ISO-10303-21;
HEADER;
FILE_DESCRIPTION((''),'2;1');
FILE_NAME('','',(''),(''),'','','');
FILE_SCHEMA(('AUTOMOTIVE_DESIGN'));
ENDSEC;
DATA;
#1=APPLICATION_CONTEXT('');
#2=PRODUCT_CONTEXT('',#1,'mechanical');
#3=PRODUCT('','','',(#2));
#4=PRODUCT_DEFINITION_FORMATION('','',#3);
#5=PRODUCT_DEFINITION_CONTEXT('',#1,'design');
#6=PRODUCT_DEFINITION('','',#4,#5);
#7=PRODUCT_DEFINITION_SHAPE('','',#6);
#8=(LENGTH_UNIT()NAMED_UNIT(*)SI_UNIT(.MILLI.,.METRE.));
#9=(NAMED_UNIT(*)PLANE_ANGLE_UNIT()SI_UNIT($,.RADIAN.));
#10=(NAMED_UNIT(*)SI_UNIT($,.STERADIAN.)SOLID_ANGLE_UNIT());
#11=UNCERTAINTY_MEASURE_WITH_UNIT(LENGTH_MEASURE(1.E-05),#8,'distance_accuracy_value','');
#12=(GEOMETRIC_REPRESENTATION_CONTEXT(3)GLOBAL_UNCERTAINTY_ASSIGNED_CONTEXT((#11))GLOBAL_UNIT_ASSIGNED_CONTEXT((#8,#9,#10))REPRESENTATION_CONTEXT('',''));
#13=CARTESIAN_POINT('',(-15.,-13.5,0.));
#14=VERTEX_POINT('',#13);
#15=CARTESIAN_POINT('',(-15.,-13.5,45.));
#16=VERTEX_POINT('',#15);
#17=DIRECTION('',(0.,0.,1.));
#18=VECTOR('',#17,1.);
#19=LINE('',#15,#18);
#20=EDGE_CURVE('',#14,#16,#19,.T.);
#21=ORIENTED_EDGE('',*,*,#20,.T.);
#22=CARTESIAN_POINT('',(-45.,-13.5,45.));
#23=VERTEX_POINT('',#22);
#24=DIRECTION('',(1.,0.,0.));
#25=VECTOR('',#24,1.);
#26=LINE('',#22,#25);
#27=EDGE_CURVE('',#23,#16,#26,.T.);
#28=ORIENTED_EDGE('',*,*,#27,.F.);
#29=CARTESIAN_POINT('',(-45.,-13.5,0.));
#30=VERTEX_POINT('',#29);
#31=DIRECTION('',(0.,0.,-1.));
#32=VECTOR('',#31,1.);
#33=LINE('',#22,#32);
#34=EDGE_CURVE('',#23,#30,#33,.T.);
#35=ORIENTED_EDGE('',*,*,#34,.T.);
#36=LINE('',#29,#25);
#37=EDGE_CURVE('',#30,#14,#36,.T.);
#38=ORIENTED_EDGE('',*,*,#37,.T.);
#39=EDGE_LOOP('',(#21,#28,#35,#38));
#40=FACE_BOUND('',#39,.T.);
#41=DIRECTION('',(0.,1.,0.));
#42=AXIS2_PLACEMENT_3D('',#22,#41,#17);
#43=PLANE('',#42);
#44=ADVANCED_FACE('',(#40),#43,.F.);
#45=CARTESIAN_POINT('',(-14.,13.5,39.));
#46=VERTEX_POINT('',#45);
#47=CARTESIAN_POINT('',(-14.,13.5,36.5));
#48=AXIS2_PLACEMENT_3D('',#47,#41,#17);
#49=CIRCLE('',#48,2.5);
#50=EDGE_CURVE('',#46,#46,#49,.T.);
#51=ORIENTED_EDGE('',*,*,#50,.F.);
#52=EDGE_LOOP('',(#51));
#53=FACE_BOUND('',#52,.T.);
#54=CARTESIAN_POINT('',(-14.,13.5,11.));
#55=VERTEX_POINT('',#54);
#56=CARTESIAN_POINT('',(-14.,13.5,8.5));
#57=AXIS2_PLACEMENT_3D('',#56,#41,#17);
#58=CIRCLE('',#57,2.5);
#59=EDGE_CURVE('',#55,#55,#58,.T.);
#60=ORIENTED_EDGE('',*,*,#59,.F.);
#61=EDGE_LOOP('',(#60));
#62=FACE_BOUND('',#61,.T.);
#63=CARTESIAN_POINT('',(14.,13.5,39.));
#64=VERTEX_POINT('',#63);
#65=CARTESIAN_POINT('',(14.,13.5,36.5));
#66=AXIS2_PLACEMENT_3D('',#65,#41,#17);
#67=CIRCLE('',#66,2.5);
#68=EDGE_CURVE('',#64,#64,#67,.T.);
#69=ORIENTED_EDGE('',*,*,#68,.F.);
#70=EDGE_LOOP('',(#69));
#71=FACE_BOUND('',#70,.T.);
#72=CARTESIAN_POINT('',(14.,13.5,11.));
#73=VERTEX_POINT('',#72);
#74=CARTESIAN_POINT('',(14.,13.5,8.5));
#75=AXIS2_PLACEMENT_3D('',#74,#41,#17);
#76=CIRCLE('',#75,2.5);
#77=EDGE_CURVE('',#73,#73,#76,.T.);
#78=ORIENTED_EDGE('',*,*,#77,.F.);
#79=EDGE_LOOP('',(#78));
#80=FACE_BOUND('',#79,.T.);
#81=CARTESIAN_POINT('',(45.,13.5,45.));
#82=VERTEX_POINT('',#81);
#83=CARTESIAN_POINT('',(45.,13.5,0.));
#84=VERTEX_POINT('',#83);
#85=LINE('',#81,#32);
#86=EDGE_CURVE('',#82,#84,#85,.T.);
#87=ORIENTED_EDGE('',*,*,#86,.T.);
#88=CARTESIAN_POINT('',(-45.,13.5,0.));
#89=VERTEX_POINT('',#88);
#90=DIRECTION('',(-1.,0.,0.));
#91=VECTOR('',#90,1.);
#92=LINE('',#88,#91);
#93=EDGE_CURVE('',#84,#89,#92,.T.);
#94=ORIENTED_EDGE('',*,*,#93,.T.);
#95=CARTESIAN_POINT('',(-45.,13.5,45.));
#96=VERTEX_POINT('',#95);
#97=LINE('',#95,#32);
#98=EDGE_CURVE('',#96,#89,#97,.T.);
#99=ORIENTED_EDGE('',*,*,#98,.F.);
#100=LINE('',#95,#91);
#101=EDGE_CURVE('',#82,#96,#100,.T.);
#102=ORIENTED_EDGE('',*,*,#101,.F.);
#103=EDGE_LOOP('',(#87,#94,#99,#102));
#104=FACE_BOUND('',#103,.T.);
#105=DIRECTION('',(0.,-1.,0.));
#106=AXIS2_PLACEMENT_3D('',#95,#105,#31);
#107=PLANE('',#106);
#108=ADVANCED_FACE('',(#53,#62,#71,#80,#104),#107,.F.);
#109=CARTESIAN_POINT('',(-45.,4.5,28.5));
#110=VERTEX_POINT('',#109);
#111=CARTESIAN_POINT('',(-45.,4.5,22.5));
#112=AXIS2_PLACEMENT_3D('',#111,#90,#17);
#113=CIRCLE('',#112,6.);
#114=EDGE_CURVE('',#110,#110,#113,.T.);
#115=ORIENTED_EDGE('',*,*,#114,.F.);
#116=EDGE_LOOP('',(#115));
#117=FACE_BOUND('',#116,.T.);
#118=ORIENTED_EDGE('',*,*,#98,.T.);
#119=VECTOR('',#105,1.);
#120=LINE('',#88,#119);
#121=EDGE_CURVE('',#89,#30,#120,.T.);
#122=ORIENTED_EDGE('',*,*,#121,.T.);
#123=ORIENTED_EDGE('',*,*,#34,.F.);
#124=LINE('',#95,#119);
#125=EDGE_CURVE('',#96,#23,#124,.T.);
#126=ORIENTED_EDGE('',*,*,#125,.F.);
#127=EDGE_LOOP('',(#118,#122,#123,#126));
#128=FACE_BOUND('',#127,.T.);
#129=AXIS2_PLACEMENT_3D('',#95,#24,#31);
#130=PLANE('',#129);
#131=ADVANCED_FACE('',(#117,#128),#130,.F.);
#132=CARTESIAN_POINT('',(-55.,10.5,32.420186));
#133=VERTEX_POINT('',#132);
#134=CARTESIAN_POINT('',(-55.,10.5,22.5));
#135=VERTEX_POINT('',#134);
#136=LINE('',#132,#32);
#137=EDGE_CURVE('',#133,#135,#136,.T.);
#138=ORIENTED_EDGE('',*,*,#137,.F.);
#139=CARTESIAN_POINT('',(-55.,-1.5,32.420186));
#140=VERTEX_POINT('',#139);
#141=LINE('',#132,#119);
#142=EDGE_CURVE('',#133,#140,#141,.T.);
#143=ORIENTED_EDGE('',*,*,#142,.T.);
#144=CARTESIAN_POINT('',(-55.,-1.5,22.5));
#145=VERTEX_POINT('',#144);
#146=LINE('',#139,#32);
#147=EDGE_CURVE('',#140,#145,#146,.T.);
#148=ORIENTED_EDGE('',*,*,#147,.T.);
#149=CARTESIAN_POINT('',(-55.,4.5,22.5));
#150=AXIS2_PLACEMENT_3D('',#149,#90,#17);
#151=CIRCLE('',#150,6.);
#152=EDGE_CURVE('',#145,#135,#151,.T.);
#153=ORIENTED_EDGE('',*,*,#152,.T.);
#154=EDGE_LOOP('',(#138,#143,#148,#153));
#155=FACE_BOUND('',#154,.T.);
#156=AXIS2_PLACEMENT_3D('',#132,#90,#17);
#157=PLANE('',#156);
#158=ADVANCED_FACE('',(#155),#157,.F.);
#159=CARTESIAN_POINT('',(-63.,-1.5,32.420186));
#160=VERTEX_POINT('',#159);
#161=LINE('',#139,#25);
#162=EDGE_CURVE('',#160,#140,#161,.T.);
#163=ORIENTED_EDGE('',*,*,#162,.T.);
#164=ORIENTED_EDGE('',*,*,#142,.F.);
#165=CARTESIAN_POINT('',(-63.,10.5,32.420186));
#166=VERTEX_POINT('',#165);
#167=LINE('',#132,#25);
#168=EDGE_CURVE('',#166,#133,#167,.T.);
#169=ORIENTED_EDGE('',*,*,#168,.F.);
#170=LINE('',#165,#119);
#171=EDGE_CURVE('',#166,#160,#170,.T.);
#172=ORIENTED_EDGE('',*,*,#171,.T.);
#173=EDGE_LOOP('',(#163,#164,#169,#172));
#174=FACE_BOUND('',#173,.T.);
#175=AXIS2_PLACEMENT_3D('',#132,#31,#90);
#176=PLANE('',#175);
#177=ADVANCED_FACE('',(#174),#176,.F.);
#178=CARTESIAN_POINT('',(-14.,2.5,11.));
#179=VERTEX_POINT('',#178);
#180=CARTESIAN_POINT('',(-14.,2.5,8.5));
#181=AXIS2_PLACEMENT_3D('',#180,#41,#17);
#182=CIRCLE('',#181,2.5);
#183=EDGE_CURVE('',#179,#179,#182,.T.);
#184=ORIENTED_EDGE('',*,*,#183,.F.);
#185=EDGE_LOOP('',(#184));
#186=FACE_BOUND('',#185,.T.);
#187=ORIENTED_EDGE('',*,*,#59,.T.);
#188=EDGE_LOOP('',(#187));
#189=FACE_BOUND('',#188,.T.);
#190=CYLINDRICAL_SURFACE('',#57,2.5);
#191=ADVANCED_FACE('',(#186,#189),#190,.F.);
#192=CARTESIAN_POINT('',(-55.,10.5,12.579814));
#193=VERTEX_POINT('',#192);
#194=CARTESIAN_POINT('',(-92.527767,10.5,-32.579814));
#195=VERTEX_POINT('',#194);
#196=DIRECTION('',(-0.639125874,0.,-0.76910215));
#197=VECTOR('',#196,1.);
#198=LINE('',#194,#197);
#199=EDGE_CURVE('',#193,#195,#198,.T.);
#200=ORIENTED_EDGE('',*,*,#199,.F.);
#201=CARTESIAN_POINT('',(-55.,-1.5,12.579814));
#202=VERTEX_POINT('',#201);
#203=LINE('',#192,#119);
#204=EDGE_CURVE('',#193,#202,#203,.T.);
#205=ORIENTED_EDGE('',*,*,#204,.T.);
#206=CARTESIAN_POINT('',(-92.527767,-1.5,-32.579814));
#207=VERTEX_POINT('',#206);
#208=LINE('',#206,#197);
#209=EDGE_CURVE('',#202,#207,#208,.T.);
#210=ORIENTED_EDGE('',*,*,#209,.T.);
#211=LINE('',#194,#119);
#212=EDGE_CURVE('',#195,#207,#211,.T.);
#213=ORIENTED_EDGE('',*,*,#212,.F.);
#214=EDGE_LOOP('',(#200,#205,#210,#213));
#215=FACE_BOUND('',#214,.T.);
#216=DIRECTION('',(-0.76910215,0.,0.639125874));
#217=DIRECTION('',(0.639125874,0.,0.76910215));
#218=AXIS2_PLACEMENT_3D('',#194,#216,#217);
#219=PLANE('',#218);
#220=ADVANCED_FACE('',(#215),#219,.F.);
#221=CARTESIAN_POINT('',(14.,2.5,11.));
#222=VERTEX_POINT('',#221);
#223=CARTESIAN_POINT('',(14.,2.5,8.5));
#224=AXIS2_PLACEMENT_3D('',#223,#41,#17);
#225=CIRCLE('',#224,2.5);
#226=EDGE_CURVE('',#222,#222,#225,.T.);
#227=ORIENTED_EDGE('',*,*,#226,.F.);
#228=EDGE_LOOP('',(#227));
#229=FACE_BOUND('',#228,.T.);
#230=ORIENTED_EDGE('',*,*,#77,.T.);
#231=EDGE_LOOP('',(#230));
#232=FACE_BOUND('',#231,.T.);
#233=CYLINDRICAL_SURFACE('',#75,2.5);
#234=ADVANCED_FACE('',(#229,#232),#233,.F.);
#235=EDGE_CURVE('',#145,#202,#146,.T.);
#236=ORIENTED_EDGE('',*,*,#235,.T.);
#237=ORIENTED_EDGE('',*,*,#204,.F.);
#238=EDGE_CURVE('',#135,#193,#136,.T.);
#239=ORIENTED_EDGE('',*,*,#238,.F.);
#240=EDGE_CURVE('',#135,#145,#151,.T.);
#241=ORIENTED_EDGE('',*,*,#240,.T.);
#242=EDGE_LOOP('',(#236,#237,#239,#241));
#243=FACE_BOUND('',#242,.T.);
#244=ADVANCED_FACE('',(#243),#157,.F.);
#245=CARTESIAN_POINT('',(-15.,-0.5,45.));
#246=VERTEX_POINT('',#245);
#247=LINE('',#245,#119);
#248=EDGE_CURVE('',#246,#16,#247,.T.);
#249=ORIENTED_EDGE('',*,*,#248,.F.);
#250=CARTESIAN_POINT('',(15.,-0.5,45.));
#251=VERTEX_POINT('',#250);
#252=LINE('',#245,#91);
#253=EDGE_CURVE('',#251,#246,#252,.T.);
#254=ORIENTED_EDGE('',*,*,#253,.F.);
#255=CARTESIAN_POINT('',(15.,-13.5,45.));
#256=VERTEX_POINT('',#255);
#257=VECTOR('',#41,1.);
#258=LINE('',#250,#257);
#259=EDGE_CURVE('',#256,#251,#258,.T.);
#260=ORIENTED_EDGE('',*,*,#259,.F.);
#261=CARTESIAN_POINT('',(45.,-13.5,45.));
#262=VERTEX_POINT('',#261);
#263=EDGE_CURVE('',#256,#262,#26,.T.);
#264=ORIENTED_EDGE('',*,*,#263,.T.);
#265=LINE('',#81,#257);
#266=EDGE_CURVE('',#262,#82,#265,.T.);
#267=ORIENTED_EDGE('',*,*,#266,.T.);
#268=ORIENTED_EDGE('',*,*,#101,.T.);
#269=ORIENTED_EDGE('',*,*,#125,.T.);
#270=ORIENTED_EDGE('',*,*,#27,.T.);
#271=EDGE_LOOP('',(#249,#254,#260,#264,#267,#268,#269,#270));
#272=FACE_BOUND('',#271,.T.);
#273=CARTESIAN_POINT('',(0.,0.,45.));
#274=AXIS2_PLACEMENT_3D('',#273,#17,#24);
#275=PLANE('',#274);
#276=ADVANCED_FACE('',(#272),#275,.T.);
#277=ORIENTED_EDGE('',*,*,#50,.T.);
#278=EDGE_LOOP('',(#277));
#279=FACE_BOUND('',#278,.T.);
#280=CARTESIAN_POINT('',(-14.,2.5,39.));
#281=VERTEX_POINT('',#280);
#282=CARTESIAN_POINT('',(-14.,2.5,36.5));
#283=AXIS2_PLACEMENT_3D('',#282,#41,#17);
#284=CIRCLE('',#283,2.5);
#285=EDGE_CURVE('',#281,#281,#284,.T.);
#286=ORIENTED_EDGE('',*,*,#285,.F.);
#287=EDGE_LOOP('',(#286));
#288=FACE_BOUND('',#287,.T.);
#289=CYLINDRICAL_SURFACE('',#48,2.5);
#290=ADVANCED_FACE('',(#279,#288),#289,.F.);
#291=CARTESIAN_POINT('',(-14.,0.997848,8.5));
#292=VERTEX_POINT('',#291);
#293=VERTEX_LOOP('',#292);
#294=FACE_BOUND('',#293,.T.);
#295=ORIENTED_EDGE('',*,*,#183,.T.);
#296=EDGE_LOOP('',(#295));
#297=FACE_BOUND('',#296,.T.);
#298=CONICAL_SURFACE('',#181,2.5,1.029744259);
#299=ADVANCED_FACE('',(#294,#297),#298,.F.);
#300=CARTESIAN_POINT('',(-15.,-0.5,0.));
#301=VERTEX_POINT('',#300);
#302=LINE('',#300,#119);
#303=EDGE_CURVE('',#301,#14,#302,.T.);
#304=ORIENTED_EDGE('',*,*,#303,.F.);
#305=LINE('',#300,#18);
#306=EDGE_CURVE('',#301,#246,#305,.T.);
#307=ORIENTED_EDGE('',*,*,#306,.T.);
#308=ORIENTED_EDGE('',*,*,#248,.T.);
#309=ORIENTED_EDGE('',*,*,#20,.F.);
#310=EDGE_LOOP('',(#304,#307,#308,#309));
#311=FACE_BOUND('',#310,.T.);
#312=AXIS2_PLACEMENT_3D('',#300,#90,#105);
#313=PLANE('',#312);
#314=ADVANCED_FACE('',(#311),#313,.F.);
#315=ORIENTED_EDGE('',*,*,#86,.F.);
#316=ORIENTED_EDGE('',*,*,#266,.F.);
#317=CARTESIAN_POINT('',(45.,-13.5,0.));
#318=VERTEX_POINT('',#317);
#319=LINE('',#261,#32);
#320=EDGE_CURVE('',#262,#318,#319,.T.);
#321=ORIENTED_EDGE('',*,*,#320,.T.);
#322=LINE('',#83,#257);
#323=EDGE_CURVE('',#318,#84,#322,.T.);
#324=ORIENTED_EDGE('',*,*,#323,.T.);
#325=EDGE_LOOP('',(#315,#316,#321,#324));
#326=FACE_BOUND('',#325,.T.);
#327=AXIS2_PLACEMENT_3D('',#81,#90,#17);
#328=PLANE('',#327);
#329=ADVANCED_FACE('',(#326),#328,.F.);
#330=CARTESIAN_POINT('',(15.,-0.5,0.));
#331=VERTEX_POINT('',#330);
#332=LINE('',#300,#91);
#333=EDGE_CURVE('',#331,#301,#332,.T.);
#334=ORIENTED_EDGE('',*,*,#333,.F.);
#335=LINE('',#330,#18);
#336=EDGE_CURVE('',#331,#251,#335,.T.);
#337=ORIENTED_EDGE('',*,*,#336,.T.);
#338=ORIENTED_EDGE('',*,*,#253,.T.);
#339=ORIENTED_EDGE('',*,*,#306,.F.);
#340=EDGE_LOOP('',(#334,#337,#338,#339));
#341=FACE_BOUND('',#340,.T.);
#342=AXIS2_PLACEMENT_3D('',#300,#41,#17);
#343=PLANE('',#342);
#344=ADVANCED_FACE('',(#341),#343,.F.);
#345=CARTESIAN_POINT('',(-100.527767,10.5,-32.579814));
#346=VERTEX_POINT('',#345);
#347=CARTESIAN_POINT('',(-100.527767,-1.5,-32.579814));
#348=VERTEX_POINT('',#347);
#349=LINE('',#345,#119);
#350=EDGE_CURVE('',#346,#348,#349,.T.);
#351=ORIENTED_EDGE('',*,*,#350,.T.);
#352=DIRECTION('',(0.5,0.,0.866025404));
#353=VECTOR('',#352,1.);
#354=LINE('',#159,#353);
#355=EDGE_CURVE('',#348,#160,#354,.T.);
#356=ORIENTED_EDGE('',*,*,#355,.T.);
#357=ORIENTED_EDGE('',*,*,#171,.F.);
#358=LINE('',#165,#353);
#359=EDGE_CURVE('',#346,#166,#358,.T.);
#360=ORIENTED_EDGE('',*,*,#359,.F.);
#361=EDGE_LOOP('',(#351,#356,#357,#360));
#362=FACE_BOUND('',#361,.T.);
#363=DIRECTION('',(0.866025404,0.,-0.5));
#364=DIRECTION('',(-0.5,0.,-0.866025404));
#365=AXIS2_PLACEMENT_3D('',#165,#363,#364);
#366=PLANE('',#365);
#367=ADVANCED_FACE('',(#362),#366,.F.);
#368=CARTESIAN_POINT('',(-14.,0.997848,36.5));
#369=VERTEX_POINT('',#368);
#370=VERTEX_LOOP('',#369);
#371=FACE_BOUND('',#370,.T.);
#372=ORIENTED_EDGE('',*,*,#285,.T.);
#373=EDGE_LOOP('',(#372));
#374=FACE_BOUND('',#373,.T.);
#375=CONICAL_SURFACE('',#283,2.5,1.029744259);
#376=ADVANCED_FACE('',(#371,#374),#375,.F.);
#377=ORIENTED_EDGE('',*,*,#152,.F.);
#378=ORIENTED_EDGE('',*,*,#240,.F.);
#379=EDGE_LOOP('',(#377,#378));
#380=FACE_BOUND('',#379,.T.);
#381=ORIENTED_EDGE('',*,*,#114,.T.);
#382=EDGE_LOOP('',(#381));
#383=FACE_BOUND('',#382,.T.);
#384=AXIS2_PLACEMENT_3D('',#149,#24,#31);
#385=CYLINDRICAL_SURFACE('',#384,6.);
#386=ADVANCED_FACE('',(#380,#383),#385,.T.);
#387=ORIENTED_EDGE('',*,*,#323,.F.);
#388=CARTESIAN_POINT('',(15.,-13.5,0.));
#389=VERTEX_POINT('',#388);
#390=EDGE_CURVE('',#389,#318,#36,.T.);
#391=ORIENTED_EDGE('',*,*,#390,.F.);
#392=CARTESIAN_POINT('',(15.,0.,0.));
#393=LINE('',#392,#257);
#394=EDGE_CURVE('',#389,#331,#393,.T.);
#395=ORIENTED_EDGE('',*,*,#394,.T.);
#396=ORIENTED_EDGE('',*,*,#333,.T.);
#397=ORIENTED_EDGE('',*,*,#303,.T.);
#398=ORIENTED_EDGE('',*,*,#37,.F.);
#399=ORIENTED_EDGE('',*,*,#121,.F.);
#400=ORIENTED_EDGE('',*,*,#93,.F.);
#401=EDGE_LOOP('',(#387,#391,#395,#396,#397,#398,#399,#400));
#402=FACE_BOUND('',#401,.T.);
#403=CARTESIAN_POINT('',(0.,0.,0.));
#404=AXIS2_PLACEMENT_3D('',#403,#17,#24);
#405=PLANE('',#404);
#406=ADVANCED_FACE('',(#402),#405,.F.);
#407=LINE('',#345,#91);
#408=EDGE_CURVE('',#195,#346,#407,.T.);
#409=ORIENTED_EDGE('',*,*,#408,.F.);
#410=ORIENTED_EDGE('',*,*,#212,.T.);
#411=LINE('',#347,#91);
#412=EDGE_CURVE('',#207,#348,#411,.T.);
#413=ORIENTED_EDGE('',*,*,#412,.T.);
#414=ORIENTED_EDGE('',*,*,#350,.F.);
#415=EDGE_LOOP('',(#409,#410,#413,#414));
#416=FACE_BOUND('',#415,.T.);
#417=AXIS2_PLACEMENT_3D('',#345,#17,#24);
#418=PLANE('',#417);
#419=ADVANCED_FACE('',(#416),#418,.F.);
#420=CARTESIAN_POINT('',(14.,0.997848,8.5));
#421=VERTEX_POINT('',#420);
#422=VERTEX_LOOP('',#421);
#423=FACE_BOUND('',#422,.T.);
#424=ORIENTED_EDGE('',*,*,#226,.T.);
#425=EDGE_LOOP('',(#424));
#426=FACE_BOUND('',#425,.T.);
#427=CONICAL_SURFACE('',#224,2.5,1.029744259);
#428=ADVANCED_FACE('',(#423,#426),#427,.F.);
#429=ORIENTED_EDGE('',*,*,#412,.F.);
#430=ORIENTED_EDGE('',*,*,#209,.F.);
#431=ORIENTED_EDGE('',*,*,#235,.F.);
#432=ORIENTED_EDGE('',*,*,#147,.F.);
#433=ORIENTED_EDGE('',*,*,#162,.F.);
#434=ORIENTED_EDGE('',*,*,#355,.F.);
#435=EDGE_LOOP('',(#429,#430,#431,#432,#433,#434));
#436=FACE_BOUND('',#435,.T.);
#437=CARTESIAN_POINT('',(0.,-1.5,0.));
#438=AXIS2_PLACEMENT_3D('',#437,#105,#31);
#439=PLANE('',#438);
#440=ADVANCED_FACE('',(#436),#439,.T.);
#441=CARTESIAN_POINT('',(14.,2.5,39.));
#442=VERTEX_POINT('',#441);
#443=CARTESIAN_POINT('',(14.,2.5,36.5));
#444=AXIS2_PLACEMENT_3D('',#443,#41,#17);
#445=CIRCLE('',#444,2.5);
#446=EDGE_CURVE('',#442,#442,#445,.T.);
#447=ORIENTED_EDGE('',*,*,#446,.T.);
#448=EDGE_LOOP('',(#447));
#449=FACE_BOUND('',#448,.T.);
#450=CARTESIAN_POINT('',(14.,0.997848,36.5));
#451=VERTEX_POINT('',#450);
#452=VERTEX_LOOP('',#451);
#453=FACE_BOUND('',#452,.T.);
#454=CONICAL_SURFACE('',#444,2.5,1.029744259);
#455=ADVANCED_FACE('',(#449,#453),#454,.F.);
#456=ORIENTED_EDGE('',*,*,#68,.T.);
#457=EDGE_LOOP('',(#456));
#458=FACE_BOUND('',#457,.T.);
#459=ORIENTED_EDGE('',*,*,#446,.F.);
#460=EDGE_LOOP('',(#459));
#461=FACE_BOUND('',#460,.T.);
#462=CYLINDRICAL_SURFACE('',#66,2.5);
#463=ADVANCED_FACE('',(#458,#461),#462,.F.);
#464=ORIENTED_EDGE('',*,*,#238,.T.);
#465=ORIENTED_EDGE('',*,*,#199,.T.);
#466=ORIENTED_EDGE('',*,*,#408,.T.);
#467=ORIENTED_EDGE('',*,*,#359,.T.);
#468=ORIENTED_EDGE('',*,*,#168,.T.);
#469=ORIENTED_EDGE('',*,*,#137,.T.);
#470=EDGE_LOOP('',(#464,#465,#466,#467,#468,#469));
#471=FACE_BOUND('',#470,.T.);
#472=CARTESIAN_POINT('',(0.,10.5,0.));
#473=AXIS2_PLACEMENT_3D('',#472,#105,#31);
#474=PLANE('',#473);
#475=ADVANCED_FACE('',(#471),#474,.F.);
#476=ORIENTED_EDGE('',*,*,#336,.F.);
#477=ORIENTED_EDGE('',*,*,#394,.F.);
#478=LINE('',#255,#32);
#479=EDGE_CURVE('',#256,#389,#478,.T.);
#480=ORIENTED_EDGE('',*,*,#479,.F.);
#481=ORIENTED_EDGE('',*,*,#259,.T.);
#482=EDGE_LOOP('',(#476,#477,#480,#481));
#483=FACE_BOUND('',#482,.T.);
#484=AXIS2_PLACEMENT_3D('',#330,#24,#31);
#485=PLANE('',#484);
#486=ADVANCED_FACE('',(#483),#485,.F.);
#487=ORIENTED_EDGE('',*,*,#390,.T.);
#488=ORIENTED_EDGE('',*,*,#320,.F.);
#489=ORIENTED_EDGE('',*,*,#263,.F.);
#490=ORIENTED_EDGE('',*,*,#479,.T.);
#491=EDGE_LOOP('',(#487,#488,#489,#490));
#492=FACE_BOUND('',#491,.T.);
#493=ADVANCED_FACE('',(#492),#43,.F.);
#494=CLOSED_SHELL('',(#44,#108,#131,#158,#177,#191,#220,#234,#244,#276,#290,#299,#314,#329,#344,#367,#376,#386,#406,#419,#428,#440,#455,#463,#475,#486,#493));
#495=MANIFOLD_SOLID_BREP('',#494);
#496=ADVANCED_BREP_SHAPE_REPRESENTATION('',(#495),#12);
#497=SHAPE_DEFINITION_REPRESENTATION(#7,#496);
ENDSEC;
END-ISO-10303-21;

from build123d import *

# Parameters (mm, degrees)
SKETCH_1_W             = 90
SKETCH_1_H             = 27
EXTRUDE_1_DEPTH        = 45
SKETCH_2_W             = 30
SKETCH_2_H             = 26
CUT_EXTRUDE_1_DEPTH    = 66.055745327
HOLE_WIZARD_M6_1_D     = 5
HOLE_WIZARD_M6_1_DEPTH = 11
HOLE_WIZARD_M6_1_TIP   = 1.502151548
SKETCH_6_R             = 6
EXTRUDE_2_DEPTH        = 10
EXTRUDE_3_DEPTH        = 6


with BuildPart() as part:
    # 草图1 → 凸台-拉伸1 (new body)
    with BuildSketch(Plane.XY):
        Rectangle(SKETCH_1_W, SKETCH_1_H)
    extrude(amount=EXTRUDE_1_DEPTH)

    # 草图2 → 切除-拉伸1 (cut, through all)
    with BuildSketch(Plane.XY.offset(45)):
        with Locations((0, -13.5)):
            Rectangle(SKETCH_2_W, SKETCH_2_H)
    extrude(amount=-CUT_EXTRUDE_1_DEPTH, mode=Mode.SUBTRACT)

    # M6 螺纹孔1
    with Locations(Plane(origin=(0, 13.5, 0), x_dir=(1, 0, 0), z_dir=(0, 1, 0))):
        with Locations((-14, -8.5), (14, -8.5), (14, -36.5), (-14, -36.5)):
            Hole(HOLE_WIZARD_M6_1_D / 2, depth=HOLE_WIZARD_M6_1_DEPTH)
            with Locations((0, 0, -(HOLE_WIZARD_M6_1_DEPTH + HOLE_WIZARD_M6_1_TIP / 2))):  # 118° drill point
                Cone(0, HOLE_WIZARD_M6_1_D / 2, HOLE_WIZARD_M6_1_TIP, mode=Mode.SUBTRACT)

    # 草图6 → 凸台-拉伸2 (add)
    with BuildSketch(Plane.ZY.offset(45)):
        with Locations((22.5, 4.5)):
            Circle(SKETCH_6_R)
    extrude(amount=EXTRUDE_2_DEPTH)

    # 草图8 → 凸台-拉伸3 (add, symmetric)
    with BuildSketch(Plane(origin=(0, 4.5, 0), x_dir=(1, 0, 0), z_dir=(0, 1, 0))):
        Polygon((-55, -32.420186034), (-55, -12.579813966), (-92.527767497, 32.579813966), (-100.527767497, 32.579813966), (-63, -32.420186034), align=None)
    extrude(amount=EXTRUDE_3_DEPTH, both=True)


solid = part.part
